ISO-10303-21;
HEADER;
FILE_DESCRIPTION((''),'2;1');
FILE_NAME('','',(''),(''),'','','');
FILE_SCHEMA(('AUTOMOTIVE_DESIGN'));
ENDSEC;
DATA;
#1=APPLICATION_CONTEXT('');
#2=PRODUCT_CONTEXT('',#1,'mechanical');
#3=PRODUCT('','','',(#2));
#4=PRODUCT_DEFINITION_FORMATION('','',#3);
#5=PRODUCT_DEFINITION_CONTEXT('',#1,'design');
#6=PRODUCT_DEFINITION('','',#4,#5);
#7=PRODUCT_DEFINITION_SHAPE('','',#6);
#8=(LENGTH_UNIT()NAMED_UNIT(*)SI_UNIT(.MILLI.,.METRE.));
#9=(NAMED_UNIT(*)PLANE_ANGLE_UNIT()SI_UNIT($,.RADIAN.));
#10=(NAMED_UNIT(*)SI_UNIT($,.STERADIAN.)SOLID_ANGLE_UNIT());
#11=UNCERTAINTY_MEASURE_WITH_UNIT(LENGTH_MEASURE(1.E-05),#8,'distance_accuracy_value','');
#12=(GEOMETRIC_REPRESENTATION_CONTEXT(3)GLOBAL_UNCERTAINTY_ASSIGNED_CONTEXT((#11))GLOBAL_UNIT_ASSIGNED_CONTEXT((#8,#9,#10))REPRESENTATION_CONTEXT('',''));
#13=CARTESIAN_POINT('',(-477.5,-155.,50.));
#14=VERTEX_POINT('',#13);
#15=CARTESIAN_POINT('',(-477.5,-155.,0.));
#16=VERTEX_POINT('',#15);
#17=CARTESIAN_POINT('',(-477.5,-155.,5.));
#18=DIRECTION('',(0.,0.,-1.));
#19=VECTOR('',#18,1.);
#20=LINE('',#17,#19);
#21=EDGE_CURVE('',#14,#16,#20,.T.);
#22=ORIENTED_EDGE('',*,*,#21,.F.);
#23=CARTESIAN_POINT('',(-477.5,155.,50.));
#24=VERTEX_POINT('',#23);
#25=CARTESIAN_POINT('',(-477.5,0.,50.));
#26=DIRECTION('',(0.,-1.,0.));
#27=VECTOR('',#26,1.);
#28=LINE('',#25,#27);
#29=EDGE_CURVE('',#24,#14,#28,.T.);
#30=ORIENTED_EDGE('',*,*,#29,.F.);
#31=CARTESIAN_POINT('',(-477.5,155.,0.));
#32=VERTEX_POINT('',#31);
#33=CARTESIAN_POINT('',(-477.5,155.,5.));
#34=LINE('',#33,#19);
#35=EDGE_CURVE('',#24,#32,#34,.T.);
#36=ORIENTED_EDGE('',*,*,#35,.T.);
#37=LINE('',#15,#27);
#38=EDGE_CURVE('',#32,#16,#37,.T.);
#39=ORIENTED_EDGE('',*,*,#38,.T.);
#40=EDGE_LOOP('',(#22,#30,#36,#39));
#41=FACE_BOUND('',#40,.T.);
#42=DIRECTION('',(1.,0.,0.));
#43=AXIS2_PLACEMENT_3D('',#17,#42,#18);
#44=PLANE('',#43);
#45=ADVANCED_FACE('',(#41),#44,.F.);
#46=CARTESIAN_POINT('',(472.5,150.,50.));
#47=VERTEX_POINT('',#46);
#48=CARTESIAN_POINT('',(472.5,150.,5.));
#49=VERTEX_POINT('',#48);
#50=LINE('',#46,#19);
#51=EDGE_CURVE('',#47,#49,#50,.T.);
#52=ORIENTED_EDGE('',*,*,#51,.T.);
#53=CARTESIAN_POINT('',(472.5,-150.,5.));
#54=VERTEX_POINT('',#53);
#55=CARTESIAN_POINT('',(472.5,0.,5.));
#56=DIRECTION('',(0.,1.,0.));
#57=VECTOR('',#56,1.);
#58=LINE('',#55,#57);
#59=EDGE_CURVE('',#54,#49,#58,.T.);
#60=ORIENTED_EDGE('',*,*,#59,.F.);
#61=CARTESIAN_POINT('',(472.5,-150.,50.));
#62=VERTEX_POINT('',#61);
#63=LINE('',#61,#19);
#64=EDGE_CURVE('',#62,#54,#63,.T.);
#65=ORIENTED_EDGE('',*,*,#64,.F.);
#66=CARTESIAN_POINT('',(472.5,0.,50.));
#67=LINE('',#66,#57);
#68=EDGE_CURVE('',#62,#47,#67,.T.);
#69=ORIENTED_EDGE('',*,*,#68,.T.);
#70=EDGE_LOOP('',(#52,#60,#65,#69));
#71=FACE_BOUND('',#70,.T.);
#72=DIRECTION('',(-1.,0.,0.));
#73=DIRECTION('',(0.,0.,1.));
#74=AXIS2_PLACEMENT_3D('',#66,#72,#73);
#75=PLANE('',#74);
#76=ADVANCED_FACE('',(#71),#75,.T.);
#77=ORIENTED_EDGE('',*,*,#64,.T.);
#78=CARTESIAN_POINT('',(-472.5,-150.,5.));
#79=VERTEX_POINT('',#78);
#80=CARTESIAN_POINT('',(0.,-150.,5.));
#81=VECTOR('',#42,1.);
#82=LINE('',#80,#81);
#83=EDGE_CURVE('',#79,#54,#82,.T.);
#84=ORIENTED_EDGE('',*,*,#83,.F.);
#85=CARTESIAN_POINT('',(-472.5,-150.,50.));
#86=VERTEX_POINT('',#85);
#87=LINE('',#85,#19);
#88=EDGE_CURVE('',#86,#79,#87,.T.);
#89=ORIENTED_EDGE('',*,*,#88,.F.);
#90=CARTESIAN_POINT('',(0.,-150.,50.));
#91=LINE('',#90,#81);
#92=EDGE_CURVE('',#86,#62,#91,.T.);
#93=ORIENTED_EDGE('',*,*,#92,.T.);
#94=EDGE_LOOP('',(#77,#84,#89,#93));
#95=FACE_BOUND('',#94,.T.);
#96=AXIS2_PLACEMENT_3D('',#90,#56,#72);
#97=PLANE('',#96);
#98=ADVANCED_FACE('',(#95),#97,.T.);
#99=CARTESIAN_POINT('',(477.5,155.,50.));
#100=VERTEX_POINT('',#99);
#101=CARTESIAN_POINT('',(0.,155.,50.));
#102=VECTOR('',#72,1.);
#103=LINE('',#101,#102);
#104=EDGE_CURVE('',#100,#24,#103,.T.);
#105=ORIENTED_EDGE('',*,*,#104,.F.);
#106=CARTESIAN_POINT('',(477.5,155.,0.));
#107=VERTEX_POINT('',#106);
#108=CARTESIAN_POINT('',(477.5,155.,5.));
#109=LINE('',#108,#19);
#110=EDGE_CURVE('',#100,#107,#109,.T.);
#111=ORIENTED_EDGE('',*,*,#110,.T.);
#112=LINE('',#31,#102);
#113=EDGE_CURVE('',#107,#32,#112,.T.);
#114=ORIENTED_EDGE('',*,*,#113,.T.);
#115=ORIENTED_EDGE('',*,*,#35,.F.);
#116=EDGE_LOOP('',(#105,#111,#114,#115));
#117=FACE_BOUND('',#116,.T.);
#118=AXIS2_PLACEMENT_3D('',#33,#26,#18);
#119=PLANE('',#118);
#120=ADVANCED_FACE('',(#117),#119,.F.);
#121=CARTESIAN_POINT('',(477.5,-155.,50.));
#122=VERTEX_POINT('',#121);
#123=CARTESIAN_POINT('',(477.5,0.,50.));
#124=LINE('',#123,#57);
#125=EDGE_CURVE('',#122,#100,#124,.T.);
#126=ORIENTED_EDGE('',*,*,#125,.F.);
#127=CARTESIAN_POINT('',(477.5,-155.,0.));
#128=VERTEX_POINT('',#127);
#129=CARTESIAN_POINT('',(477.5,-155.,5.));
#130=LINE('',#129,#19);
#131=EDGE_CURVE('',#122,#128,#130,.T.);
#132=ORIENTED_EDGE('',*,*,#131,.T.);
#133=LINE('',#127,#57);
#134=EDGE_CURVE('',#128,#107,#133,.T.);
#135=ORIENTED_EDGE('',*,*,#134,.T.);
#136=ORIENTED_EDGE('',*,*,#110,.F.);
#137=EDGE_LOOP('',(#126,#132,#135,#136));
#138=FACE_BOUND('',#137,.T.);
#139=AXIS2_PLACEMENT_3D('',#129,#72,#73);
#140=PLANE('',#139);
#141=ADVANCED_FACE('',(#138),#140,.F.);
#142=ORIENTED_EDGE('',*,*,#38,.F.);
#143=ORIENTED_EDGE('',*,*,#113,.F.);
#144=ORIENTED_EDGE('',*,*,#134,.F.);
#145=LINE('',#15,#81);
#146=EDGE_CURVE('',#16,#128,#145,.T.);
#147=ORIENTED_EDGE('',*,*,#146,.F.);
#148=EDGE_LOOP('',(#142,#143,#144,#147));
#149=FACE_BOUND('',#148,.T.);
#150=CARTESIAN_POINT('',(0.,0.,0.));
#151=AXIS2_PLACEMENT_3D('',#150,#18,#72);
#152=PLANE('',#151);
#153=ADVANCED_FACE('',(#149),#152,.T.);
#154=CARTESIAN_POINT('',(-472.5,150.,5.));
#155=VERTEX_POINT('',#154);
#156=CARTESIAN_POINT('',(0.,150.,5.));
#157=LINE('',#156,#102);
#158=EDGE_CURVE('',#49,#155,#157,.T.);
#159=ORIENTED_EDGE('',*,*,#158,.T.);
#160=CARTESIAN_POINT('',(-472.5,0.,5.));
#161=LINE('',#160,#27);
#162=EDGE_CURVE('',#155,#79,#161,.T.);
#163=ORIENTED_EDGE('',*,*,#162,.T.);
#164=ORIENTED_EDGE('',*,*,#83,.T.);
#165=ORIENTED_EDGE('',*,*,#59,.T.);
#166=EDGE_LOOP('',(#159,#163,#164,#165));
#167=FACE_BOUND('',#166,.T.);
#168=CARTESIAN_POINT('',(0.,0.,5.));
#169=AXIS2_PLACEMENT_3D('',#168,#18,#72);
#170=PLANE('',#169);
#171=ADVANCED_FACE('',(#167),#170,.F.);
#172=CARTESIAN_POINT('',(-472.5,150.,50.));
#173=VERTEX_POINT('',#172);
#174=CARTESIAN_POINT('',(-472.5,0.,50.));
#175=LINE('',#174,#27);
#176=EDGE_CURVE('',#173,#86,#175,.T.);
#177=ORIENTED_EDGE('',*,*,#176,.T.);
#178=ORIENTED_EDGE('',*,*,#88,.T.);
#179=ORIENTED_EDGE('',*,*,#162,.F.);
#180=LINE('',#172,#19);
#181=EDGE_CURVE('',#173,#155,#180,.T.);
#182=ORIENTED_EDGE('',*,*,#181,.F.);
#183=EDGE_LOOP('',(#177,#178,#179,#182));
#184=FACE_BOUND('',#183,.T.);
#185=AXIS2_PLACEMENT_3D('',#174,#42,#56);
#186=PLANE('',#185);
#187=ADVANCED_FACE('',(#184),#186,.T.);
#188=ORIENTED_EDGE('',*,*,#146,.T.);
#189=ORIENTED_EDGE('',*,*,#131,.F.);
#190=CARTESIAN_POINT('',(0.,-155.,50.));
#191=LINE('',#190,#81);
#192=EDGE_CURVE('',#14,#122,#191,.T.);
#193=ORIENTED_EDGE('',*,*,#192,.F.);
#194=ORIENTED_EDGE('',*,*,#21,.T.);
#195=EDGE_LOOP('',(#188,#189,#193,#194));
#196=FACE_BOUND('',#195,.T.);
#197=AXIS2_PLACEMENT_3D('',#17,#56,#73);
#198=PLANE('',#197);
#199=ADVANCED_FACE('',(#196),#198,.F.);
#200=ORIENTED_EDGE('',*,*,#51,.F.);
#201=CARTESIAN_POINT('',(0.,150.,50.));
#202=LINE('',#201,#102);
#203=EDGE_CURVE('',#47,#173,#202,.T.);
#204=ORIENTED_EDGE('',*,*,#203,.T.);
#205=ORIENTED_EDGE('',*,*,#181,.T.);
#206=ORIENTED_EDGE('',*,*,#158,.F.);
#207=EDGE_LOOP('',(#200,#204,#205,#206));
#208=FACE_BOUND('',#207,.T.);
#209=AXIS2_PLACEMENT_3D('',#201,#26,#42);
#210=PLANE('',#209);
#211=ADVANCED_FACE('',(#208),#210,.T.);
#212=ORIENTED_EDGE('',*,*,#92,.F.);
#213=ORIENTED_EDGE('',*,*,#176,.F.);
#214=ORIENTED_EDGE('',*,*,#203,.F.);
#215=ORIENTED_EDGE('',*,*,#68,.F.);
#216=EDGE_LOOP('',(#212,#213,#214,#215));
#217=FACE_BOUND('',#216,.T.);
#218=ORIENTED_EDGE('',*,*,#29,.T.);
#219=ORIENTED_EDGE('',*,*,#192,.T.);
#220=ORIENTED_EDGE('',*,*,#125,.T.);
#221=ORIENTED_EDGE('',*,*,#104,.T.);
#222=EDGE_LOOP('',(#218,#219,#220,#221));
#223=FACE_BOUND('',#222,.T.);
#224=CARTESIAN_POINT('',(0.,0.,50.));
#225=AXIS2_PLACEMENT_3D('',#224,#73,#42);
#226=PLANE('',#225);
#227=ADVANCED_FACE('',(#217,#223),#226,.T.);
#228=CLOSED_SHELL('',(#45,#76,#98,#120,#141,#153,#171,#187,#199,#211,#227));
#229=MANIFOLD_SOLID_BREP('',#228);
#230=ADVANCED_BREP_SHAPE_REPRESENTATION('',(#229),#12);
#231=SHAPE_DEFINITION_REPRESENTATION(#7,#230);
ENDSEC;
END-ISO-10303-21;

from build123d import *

# Parameters (mm, degrees)
SKETCH1_W           = 955
SKETCH1_H           = 310
BOSS_EXTRUDE1_DEPTH = 5
BOSS_EXTRUDE2_START = 5
SKETCH2_W           = 955
SKETCH2_H           = 310
SKETCH2_W_2         = 945
SKETCH2_H_2         = 300
BOSS_EXTRUDE2_DEPTH = 45


with BuildPart() as part:
    # Sketch1 → Boss-Extrude1 (new body)
    with BuildSketch(Plane.XY):
        Rectangle(SKETCH1_W, SKETCH1_H)
    extrude(amount=BOSS_EXTRUDE1_DEPTH)

    # Sketch2 → Boss-Extrude2 (add)
    with BuildSketch(Plane.XY.offset(BOSS_EXTRUDE2_START)):
        Rectangle(SKETCH2_W, SKETCH2_H)
        Rectangle(SKETCH2_W_2, SKETCH2_H_2, mode=Mode.SUBTRACT)
    extrude(amount=BOSS_EXTRUDE2_DEPTH)


solid = part.part
